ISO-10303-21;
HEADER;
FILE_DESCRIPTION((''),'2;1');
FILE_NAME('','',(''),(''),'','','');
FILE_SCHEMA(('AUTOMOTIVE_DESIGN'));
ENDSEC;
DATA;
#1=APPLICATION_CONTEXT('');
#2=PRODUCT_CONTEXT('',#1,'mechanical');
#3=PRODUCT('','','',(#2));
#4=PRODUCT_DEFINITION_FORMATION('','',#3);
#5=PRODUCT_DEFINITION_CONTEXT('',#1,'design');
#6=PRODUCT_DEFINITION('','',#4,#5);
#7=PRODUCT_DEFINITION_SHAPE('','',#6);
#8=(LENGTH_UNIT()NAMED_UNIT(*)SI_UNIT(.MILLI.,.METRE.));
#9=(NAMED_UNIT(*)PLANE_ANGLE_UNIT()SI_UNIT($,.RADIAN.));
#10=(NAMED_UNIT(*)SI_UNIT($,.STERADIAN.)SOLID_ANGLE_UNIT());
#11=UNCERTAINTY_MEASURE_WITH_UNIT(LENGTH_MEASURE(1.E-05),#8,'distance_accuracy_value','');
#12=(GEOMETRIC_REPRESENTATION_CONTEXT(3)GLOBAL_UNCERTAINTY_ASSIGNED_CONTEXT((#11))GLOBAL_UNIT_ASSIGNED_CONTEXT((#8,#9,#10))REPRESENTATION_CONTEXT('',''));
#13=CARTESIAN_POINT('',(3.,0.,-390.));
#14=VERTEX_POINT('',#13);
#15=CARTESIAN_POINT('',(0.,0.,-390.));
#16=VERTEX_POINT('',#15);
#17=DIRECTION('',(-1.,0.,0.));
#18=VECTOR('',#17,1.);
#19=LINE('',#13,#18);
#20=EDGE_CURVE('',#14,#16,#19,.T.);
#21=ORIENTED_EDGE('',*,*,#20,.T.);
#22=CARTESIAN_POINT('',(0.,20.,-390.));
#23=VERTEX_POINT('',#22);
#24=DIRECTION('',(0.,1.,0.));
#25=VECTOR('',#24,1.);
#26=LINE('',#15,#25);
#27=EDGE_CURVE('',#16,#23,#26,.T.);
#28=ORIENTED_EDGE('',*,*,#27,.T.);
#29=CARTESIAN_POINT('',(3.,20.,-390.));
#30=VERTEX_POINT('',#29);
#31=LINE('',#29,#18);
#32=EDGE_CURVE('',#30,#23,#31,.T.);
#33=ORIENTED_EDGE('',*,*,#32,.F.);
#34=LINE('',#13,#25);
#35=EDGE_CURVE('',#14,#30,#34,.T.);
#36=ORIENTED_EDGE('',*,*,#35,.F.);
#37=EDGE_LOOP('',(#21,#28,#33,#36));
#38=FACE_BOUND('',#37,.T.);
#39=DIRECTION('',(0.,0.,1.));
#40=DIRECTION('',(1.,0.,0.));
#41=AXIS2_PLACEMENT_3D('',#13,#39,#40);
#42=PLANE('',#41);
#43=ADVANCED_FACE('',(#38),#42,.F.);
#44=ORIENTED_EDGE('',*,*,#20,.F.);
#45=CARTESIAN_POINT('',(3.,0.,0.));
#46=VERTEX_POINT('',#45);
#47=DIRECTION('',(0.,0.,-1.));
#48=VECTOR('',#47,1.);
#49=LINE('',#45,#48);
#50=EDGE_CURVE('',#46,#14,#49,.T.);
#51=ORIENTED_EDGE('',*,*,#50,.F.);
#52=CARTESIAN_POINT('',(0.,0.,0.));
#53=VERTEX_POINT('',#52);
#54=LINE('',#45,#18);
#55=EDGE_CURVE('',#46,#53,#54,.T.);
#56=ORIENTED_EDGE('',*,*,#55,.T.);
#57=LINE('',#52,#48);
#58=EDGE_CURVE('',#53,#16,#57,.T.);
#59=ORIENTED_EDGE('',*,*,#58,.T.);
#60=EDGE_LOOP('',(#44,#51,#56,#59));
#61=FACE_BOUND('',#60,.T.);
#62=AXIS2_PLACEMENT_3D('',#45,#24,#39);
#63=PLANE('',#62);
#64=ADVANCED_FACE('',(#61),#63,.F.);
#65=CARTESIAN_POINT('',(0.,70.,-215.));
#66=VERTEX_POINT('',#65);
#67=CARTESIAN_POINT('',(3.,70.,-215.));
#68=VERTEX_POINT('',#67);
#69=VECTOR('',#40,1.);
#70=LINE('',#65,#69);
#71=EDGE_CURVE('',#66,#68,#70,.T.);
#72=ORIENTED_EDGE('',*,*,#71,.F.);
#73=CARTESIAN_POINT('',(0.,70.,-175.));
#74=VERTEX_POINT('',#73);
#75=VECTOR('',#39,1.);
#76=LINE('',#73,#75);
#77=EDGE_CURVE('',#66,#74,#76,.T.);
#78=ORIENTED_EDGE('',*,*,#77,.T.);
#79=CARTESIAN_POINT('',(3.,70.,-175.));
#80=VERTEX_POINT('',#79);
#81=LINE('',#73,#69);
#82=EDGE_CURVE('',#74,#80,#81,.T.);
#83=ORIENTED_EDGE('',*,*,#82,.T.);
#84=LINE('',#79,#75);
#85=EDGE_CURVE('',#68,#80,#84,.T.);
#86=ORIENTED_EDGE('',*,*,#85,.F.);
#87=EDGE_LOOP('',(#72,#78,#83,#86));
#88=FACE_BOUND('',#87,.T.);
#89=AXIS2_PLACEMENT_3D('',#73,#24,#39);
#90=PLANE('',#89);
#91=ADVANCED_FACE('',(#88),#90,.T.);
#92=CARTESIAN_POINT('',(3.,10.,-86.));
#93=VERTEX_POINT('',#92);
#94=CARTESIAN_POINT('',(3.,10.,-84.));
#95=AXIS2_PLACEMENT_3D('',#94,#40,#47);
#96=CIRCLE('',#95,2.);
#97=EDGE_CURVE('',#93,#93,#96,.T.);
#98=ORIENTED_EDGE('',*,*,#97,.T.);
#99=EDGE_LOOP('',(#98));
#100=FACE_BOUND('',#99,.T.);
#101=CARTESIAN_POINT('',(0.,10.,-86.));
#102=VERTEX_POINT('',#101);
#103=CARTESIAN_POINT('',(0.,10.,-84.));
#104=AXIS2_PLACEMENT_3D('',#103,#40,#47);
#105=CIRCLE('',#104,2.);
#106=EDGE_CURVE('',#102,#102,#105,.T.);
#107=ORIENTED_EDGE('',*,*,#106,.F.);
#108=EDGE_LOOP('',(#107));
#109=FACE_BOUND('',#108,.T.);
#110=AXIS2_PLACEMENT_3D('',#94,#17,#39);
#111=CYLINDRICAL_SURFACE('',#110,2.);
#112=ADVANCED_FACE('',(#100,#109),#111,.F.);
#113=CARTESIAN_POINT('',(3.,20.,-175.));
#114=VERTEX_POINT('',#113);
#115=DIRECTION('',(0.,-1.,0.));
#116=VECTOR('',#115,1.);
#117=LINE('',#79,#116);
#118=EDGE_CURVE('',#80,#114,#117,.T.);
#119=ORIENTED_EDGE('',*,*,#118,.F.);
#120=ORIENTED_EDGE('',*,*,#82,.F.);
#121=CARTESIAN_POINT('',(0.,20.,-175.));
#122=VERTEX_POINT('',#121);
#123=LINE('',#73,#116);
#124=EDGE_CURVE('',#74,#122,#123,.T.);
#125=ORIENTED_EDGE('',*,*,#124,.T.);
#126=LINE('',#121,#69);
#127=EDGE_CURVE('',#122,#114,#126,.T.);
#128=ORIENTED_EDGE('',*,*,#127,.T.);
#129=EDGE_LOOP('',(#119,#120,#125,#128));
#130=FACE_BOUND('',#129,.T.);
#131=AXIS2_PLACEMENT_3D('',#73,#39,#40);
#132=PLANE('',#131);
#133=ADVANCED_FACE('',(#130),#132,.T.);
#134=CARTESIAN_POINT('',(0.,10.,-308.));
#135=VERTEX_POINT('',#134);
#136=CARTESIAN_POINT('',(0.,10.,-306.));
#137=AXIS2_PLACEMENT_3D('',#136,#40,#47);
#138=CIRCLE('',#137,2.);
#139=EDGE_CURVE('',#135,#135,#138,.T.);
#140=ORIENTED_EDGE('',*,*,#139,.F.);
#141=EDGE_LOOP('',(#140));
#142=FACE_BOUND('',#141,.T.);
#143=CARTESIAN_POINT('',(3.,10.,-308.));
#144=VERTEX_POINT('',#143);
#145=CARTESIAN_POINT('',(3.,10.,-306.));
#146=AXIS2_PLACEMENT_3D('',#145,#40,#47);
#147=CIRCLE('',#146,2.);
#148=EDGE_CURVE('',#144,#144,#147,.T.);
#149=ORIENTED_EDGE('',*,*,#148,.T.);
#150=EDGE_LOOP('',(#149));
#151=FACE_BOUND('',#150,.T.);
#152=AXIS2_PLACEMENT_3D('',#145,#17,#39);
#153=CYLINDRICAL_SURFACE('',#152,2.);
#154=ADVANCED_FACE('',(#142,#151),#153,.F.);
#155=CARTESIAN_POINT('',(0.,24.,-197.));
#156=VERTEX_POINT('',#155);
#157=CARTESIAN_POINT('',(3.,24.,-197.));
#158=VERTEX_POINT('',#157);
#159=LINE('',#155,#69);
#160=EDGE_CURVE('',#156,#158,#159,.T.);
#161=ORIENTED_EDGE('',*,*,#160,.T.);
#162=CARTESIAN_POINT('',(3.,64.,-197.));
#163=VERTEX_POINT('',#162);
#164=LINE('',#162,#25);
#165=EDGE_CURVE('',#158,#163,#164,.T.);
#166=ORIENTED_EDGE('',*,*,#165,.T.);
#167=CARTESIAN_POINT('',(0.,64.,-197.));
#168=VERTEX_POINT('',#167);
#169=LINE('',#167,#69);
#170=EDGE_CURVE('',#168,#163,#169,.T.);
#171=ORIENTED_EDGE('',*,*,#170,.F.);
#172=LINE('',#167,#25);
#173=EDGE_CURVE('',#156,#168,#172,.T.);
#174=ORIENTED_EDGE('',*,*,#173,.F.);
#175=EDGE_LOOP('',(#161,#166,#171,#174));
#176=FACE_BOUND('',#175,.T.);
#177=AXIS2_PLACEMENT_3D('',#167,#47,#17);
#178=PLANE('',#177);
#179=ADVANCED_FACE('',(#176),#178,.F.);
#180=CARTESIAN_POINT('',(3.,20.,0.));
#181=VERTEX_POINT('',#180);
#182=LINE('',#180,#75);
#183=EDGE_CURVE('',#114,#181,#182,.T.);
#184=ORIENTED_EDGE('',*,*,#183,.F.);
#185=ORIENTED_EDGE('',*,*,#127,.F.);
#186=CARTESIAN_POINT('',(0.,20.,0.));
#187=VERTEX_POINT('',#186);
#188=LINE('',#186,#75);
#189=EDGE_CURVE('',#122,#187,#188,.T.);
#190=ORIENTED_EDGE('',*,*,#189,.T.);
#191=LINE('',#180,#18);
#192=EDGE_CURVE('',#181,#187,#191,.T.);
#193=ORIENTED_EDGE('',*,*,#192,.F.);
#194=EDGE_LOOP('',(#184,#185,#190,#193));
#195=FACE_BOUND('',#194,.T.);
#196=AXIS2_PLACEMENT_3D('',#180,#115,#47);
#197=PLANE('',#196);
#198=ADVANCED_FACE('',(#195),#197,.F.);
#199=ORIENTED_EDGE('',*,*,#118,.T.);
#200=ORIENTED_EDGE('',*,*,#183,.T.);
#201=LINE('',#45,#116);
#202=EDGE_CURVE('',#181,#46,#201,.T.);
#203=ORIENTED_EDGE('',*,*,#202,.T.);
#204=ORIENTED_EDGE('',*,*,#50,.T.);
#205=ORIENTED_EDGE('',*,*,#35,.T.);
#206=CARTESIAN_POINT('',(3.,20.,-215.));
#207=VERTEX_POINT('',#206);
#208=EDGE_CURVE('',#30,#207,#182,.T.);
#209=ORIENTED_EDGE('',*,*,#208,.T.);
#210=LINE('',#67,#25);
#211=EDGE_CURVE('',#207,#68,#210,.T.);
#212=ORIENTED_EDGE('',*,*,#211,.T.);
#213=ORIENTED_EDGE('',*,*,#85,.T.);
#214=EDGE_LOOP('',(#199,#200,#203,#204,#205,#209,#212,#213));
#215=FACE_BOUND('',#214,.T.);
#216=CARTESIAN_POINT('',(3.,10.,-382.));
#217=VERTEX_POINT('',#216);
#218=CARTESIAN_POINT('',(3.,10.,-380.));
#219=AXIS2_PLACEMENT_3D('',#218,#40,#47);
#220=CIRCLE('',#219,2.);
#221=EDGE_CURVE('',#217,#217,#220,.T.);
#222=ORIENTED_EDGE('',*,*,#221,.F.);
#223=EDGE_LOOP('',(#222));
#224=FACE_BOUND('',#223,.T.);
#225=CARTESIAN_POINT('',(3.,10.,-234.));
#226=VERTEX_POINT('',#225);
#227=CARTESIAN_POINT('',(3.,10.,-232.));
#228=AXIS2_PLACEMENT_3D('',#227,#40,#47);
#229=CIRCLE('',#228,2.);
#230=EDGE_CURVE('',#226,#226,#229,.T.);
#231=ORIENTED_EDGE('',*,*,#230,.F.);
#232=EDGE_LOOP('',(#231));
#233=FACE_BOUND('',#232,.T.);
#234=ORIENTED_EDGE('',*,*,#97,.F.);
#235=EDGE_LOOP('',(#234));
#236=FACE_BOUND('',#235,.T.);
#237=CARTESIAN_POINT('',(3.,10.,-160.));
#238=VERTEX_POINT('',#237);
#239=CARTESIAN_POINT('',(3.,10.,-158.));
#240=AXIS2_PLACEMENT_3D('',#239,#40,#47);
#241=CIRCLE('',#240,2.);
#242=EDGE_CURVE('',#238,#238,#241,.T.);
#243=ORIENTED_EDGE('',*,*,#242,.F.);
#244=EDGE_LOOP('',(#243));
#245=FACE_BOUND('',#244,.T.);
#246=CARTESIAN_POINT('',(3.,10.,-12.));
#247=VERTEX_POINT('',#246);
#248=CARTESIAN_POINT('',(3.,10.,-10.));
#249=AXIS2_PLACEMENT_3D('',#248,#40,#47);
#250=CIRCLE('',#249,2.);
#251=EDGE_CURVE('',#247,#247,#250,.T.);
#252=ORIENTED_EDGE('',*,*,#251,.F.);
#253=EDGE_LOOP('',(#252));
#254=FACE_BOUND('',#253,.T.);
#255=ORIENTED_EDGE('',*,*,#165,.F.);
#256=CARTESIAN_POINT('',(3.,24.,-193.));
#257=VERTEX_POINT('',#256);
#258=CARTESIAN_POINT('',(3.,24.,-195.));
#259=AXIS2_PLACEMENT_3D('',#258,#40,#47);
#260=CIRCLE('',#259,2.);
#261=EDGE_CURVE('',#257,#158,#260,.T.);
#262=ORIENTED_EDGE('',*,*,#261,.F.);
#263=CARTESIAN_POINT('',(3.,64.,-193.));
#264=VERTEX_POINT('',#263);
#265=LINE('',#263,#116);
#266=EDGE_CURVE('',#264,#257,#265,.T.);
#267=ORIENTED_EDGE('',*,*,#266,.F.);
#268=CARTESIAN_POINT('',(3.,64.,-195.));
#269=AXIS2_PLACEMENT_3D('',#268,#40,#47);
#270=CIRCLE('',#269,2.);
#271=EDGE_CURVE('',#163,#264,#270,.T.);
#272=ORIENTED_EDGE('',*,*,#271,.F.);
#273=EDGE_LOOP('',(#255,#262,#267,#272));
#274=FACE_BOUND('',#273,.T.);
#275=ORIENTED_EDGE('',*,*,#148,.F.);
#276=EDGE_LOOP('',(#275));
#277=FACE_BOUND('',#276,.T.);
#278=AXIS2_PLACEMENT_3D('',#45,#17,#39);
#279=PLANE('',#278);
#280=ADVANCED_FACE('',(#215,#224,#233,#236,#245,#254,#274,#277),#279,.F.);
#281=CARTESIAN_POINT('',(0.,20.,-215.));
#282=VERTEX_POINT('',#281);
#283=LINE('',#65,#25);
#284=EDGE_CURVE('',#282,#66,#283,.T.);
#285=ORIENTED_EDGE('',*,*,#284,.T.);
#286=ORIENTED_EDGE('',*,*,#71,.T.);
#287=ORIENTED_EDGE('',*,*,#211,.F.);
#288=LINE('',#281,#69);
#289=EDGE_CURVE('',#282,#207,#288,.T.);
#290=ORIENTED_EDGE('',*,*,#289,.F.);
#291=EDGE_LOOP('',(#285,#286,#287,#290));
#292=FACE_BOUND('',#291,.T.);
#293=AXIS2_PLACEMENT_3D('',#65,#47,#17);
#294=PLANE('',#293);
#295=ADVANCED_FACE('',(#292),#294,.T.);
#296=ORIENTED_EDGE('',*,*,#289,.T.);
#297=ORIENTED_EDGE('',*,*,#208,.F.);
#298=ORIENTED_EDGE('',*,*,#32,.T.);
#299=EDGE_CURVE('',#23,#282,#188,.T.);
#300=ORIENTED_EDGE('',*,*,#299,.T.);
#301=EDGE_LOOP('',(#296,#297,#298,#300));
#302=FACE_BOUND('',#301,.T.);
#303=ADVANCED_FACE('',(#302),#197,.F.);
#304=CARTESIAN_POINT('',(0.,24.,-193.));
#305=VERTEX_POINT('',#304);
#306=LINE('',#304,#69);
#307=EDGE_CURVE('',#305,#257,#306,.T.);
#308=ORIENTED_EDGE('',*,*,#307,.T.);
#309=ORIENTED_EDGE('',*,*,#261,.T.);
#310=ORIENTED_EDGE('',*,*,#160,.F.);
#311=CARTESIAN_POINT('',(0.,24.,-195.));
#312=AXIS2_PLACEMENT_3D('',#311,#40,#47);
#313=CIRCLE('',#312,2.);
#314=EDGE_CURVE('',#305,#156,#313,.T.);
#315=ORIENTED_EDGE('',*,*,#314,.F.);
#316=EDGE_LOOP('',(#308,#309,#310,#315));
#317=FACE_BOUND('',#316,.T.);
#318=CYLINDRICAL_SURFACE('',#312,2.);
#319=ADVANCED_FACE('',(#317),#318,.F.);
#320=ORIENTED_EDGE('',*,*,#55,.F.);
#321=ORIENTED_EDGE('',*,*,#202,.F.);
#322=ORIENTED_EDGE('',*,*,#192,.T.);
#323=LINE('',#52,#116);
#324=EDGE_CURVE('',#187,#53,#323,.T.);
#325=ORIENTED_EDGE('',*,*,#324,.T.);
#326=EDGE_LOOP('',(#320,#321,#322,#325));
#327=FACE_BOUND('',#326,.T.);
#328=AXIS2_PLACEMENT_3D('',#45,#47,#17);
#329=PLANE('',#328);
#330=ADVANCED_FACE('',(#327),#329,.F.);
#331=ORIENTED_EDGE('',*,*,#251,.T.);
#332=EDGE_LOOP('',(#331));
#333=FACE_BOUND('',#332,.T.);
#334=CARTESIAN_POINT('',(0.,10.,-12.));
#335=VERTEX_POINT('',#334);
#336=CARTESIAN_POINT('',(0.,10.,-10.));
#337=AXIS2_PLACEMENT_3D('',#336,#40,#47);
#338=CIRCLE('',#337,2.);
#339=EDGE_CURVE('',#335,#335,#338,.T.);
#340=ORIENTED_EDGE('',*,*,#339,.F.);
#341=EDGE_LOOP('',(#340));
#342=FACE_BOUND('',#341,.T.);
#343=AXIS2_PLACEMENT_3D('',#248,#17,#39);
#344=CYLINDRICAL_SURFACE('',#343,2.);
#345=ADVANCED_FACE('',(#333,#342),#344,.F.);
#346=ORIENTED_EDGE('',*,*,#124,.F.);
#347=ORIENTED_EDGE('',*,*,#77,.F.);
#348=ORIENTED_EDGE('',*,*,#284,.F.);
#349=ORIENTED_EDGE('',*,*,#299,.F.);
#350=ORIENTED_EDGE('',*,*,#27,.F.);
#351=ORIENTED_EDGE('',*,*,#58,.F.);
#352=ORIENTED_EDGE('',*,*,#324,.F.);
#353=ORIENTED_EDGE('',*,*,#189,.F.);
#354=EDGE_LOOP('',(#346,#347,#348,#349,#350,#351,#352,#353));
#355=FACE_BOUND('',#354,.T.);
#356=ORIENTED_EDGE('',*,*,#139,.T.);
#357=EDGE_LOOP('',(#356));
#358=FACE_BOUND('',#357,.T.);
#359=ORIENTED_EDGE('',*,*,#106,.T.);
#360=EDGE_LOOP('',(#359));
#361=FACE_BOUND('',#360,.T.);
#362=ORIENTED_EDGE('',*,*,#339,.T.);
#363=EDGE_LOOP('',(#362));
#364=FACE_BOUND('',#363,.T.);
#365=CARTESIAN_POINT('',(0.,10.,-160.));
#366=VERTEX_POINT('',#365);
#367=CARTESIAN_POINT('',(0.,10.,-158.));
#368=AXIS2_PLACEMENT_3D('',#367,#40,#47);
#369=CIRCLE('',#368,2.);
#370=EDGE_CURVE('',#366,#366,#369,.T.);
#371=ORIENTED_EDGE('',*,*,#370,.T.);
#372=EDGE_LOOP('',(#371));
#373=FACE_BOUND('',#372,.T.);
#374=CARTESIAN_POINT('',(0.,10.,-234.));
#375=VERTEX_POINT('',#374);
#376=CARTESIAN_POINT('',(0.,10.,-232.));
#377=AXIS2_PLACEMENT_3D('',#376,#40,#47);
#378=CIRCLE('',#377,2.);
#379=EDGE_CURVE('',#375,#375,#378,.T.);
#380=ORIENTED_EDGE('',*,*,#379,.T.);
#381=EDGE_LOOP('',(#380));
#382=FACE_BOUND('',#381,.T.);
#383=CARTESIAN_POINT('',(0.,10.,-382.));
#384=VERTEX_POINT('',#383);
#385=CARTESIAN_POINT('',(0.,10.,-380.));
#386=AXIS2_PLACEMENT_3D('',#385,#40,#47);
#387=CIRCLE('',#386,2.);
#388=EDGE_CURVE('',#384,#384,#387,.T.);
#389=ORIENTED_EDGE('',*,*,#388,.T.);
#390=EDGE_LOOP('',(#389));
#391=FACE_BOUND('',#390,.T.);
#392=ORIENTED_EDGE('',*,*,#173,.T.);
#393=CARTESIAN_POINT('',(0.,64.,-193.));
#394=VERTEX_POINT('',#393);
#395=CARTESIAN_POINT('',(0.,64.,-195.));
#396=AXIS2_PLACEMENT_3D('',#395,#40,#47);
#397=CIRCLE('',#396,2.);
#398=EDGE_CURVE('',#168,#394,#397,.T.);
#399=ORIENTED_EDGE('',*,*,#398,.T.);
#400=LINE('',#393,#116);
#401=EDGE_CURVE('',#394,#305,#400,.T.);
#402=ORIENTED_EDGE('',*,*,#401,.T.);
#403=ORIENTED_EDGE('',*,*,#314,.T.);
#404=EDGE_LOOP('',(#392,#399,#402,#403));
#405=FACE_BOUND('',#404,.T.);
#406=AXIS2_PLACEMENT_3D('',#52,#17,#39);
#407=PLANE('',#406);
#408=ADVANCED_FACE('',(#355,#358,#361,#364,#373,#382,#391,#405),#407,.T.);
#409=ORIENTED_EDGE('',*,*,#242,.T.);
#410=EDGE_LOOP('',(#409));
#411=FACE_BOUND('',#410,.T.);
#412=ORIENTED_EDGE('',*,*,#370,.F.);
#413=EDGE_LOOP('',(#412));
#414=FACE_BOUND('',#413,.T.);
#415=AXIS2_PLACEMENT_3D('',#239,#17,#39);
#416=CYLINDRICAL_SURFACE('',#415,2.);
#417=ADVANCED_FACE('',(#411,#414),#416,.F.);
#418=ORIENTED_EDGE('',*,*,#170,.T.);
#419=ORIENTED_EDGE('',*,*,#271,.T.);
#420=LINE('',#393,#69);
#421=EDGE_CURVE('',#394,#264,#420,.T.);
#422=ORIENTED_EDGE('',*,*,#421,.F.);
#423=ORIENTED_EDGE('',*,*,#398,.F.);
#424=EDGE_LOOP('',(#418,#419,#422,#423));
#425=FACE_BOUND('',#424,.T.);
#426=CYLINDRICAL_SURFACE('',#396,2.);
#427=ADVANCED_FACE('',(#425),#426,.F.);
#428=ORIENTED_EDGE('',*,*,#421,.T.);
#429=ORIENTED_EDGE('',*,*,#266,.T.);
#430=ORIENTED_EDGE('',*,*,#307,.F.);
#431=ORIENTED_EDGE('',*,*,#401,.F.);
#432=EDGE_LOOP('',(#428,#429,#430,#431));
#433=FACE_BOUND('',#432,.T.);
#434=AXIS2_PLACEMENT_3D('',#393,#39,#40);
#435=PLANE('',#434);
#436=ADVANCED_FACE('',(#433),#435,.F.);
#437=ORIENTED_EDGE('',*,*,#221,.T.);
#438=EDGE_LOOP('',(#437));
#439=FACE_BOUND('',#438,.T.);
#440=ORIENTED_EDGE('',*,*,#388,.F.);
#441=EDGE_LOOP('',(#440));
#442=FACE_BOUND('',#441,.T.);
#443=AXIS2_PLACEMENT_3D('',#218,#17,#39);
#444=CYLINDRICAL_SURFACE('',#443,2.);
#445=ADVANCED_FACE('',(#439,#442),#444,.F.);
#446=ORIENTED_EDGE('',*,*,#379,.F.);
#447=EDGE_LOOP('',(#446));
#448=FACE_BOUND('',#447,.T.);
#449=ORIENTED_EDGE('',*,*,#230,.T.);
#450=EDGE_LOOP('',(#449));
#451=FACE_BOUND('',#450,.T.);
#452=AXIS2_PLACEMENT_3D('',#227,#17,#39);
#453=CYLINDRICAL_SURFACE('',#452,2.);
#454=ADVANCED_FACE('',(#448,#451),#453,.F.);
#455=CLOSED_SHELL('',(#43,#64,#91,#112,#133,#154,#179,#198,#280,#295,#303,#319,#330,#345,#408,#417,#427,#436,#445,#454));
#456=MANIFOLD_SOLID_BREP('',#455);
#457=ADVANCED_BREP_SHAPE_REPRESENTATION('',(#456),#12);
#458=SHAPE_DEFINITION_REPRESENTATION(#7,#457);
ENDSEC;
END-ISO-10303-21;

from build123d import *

# Parameters (mm, degrees)
IZIM1_W                     = 390
IZIM1_H                     = 20
IZIM1_R                     = 2
Y_KSEKLIK_EKSTR_ZYON1_DEPTH = 3
IZIM2_W                     = 40
IZIM2_H                     = 50
Y_KSEKLIK_EKSTR_ZYON2_DEPTH = 3


with BuildPart() as part:
    # Çizim1 → Yükseklik-Ekstrüzyon1 (new body)
    with BuildSketch(Plane(origin=(0, 0, 0), x_dir=(0, 0, -1), z_dir=(1, 0, 0))):
        with Locations((195, 10)):
            Rectangle(IZIM1_W, IZIM1_H)
        with Locations((10, 10)):
            Circle(IZIM1_R, mode=Mode.SUBTRACT)
        with Locations((84, 10)):
            Circle(IZIM1_R, mode=Mode.SUBTRACT)
        with Locations((158, 10)):
            Circle(IZIM1_R, mode=Mode.SUBTRACT)
        with Locations((232, 10)):
            Circle(IZIM1_R, mode=Mode.SUBTRACT)
        with Locations((306, 10)):
            Circle(IZIM1_R, mode=Mode.SUBTRACT)
        with Locations((380, 10)):
            Circle(IZIM1_R, mode=Mode.SUBTRACT)
    extrude(amount=Y_KSEKLIK_EKSTR_ZYON1_DEPTH)

    # Çizim2 → Yükseklik-Ekstrüzyon2 (add)
    with BuildSketch(Plane(origin=(3, 0, 0), x_dir=(0, 0, -1), z_dir=(1, 0, 0))):
        with Locations((195, 45)):
            Rectangle(IZIM2_W, IZIM2_H)
        with BuildLine():
            Line((197, 64), (197, 24))
            ThreePointArc((197, 24), (195, 22), (193, 24))
            Line((193, 24), (193, 64))
            ThreePointArc((193, 64), (195, 66), (197, 64))
        make_face(mode=Mode.SUBTRACT)
    extrude(amount=-Y_KSEKLIK_EKSTR_ZYON2_DEPTH)


solid = part.part
